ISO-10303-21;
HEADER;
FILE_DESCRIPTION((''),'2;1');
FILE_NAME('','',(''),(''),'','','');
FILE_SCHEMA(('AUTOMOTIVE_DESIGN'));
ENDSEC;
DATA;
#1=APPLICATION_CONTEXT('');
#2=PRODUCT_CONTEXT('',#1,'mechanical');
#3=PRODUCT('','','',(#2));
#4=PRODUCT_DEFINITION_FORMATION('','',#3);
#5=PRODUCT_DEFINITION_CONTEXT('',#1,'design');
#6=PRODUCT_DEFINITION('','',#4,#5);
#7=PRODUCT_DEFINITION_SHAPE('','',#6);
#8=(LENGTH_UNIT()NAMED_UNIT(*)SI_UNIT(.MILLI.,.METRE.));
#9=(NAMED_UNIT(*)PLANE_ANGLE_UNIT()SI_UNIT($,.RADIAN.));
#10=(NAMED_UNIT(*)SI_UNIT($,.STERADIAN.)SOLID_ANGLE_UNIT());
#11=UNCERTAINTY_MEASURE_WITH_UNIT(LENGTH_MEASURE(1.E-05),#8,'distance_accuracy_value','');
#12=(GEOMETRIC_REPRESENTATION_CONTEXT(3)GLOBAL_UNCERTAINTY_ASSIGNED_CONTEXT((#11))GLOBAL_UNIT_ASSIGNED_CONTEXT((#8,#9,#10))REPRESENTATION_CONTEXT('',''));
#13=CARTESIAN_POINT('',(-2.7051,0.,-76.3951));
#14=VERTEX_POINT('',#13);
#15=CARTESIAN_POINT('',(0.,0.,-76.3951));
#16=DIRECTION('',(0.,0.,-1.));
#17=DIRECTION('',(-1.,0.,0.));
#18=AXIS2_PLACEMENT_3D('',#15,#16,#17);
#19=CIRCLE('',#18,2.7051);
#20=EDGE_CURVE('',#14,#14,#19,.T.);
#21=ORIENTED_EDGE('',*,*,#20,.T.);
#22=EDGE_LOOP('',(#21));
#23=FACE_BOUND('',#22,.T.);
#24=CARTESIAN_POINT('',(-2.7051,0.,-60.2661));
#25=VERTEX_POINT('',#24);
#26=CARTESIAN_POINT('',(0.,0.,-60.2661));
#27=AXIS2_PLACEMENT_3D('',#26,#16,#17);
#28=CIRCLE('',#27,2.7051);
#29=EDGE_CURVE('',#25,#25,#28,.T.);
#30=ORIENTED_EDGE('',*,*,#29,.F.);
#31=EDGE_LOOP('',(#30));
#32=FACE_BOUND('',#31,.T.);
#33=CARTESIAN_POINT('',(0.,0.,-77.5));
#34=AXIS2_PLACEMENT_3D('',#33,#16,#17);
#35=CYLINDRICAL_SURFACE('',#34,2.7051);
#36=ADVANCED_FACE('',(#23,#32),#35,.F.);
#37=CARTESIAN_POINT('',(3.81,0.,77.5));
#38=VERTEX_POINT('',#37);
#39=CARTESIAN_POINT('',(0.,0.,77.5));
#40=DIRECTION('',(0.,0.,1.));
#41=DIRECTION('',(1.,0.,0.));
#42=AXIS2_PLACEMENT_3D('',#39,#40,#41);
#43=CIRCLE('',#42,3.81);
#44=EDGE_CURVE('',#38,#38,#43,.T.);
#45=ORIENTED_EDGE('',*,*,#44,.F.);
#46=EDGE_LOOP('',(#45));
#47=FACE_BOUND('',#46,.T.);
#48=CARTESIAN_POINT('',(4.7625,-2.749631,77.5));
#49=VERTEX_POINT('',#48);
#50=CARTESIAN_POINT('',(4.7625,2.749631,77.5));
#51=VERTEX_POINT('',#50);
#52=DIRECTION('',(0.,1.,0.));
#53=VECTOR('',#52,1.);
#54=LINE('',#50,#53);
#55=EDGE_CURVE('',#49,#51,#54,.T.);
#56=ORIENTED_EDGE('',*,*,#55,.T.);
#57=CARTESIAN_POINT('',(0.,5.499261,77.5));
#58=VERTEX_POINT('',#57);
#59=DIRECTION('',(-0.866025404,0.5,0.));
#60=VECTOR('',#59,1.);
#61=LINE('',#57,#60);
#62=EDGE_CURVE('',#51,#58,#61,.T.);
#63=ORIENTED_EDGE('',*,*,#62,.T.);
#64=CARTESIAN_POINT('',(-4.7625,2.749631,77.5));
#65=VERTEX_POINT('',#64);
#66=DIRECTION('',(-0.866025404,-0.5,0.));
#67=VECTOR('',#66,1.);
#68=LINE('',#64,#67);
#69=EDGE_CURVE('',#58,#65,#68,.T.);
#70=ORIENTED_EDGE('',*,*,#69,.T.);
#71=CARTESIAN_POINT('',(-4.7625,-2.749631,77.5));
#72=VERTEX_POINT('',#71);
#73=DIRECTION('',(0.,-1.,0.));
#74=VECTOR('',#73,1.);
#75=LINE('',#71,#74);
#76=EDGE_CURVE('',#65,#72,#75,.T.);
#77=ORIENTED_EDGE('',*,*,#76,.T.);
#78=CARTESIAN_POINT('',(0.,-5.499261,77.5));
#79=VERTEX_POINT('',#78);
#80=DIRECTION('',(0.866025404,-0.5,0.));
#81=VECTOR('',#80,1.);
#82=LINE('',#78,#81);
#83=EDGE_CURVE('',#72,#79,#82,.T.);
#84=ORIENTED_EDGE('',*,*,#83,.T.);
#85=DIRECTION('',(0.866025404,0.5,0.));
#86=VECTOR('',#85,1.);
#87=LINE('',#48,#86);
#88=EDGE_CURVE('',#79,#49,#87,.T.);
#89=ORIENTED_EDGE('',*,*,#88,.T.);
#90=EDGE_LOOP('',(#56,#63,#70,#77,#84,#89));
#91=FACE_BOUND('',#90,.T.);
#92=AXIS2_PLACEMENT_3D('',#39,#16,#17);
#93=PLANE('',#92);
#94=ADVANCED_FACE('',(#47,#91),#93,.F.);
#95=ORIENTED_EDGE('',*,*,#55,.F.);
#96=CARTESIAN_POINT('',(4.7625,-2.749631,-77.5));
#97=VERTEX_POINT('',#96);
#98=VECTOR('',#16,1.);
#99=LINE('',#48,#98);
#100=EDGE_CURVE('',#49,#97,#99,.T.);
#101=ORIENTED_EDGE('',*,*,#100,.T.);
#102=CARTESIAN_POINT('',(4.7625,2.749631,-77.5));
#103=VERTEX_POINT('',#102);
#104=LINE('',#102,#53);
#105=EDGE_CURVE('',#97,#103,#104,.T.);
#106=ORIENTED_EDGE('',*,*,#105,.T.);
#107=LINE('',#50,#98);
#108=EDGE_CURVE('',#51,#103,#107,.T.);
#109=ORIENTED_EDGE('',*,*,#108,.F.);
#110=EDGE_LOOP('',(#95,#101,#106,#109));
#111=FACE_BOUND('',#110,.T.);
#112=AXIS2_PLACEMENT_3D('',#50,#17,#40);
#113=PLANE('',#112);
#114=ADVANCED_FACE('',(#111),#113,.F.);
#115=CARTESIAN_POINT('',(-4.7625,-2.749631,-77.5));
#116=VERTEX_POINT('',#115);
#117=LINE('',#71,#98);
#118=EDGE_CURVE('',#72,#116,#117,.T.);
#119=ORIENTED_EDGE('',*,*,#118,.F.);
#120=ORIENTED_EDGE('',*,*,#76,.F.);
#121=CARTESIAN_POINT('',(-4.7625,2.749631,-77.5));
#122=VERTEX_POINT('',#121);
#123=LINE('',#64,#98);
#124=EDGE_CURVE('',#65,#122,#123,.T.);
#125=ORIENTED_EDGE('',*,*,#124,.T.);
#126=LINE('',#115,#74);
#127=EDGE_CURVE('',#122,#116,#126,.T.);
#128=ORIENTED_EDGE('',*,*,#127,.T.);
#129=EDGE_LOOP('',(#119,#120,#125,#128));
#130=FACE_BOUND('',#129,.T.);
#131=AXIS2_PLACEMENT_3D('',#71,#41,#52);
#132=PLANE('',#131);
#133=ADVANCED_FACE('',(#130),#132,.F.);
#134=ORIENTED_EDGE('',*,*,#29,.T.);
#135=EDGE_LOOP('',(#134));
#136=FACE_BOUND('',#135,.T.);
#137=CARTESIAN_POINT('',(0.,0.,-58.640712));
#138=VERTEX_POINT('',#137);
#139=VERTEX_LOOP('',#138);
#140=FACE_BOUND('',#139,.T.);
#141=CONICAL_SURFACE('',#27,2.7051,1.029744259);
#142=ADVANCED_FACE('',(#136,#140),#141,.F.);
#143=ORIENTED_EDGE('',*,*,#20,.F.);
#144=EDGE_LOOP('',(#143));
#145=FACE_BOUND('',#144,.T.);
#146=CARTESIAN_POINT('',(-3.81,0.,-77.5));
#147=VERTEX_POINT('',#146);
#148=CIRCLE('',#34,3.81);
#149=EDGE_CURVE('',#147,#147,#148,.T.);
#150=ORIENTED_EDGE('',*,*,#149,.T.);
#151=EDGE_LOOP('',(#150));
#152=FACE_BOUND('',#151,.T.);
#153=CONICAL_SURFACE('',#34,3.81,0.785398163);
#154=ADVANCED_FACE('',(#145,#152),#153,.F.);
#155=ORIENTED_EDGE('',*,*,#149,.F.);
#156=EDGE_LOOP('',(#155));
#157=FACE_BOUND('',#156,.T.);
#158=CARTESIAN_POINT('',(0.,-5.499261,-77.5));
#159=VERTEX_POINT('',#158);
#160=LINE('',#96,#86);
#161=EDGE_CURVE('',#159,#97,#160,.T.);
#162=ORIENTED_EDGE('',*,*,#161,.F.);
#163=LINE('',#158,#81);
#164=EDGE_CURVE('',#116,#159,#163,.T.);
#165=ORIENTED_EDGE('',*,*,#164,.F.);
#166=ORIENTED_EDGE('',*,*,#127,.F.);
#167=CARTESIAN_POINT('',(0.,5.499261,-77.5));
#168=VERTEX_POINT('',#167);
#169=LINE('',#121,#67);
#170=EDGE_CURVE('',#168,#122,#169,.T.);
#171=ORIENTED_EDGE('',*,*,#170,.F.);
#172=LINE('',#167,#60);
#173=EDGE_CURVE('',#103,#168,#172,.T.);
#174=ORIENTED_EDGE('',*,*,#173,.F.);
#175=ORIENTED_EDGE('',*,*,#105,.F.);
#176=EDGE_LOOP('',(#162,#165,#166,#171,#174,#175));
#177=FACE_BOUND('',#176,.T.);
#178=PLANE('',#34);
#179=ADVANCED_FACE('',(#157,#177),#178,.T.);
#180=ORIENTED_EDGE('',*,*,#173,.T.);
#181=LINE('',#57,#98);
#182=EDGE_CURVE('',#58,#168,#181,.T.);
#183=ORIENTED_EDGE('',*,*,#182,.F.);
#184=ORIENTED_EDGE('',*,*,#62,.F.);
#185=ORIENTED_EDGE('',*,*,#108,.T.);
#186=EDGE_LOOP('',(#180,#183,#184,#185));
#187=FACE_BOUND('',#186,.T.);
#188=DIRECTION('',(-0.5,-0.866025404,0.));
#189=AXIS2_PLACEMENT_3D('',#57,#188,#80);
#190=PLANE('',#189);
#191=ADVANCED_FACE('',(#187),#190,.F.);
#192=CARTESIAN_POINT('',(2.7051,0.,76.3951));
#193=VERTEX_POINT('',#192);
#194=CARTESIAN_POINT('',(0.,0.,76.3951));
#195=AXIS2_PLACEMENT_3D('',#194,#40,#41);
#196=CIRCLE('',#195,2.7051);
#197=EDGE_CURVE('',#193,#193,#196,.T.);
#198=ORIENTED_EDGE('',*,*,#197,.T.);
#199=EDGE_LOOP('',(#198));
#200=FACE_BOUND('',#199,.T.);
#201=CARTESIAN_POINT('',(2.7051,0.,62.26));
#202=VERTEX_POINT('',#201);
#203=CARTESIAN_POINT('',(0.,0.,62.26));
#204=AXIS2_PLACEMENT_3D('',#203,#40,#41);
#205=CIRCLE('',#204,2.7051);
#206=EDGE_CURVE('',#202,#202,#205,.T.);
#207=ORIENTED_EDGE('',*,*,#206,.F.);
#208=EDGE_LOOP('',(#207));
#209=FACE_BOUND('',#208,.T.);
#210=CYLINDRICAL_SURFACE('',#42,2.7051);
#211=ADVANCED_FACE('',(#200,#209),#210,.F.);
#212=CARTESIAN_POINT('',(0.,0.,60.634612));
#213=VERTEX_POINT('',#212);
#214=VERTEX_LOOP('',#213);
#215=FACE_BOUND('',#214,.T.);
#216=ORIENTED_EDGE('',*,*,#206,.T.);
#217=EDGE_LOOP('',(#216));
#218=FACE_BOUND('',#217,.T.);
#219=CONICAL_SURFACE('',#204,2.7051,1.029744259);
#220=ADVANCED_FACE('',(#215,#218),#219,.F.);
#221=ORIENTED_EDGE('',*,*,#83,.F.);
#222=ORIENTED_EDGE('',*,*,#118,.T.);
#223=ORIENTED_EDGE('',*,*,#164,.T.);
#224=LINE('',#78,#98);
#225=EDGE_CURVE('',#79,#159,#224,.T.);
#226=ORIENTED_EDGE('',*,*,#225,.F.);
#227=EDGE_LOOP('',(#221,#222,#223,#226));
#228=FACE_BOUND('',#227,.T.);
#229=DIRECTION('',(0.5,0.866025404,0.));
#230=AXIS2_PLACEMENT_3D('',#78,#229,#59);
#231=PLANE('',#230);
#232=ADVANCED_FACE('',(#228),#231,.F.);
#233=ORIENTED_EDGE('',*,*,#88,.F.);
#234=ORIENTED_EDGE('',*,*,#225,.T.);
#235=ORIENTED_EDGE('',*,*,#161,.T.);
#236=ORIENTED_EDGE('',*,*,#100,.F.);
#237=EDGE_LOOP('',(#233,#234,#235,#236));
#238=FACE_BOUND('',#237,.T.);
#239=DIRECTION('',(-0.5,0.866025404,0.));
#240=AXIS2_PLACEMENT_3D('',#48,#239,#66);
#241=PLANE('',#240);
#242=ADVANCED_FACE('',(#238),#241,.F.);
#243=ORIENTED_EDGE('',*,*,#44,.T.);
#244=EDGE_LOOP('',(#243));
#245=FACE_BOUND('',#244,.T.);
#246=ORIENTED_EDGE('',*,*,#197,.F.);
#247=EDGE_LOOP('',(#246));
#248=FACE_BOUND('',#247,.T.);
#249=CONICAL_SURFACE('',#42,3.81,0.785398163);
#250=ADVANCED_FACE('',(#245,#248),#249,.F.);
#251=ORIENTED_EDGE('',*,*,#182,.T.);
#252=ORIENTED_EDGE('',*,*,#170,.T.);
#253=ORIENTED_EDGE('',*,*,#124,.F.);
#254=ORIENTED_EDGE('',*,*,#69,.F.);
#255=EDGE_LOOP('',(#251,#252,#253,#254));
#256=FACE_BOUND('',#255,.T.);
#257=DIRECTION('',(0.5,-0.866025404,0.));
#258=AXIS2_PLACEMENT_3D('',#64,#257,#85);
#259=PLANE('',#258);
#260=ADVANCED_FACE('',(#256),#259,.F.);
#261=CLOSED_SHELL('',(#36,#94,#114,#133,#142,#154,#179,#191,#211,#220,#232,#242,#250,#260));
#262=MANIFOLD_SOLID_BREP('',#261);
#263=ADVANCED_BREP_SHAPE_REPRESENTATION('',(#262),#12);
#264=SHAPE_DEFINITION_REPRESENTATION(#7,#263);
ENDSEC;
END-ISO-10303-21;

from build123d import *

# Parameters (mm, degrees)
BOSS_EXTRUDE1_DEPTH               = 77.5
F_1_4_28_TAPPED_HOLE1_D           = 5.4102
F_1_4_28_TAPPED_HOLE1_DEPTH       = 15.24
F_1_4_28_TAPPED_HOLE1_CSINK_D     = 7.62
F_1_4_28_TAPPED_HOLE1_CSINK_ANGLE = 90
F_1_4_28_TAPPED_HOLE1_TIP         = 1.625388061
F_1_4_28_TAPPED_HOLE2_D           = 5.4102
F_1_4_28_TAPPED_HOLE2_DEPTH       = 17.2339
F_1_4_28_TAPPED_HOLE2_CSINK_D     = 7.62
F_1_4_28_TAPPED_HOLE2_CSINK_ANGLE = 90
F_1_4_28_TAPPED_HOLE2_TIP         = 1.625388061


with BuildPart() as part:
    # Sketch3 → Boss-Extrude1 (new, symmetric)
    with BuildSketch(Plane.XY):
        Polygon((0, 5.499261314), (4.7625, 2.749630657), (4.7625, -2.749630657), (0, -5.499261314), (-4.7625, -2.749630657), (-4.7625, 2.749630657), align=None)
    extrude(amount=BOSS_EXTRUDE1_DEPTH, both=True)

    # 1/4-28 Tapped Hole1
    with Locations(Plane.XY.offset(77.5)):
        with Locations((0, 0)):
            CounterSinkHole(F_1_4_28_TAPPED_HOLE1_D / 2, F_1_4_28_TAPPED_HOLE1_CSINK_D / 2, depth=F_1_4_28_TAPPED_HOLE1_DEPTH, counter_sink_angle=F_1_4_28_TAPPED_HOLE1_CSINK_ANGLE)
            with Locations((0, 0, -(F_1_4_28_TAPPED_HOLE1_DEPTH + F_1_4_28_TAPPED_HOLE1_TIP / 2))):  # 118° drill point
                Cone(0, F_1_4_28_TAPPED_HOLE1_D / 2, F_1_4_28_TAPPED_HOLE1_TIP, mode=Mode.SUBTRACT)

    # 1/4-28 Tapped Hole2
    with Locations(Plane(origin=(0, 0, -77.5), x_dir=(-1, 0, 0), z_dir=(0, 0, -1))):
        with Locations((0, 0)):
            CounterSinkHole(F_1_4_28_TAPPED_HOLE2_D / 2, F_1_4_28_TAPPED_HOLE2_CSINK_D / 2, depth=F_1_4_28_TAPPED_HOLE2_DEPTH, counter_sink_angle=F_1_4_28_TAPPED_HOLE2_CSINK_ANGLE)
            with Locations((0, 0, -(F_1_4_28_TAPPED_HOLE2_DEPTH + F_1_4_28_TAPPED_HOLE2_TIP / 2))):  # 118° drill point
                Cone(0, F_1_4_28_TAPPED_HOLE2_D / 2, F_1_4_28_TAPPED_HOLE2_TIP, mode=Mode.SUBTRACT)


solid = part.part
